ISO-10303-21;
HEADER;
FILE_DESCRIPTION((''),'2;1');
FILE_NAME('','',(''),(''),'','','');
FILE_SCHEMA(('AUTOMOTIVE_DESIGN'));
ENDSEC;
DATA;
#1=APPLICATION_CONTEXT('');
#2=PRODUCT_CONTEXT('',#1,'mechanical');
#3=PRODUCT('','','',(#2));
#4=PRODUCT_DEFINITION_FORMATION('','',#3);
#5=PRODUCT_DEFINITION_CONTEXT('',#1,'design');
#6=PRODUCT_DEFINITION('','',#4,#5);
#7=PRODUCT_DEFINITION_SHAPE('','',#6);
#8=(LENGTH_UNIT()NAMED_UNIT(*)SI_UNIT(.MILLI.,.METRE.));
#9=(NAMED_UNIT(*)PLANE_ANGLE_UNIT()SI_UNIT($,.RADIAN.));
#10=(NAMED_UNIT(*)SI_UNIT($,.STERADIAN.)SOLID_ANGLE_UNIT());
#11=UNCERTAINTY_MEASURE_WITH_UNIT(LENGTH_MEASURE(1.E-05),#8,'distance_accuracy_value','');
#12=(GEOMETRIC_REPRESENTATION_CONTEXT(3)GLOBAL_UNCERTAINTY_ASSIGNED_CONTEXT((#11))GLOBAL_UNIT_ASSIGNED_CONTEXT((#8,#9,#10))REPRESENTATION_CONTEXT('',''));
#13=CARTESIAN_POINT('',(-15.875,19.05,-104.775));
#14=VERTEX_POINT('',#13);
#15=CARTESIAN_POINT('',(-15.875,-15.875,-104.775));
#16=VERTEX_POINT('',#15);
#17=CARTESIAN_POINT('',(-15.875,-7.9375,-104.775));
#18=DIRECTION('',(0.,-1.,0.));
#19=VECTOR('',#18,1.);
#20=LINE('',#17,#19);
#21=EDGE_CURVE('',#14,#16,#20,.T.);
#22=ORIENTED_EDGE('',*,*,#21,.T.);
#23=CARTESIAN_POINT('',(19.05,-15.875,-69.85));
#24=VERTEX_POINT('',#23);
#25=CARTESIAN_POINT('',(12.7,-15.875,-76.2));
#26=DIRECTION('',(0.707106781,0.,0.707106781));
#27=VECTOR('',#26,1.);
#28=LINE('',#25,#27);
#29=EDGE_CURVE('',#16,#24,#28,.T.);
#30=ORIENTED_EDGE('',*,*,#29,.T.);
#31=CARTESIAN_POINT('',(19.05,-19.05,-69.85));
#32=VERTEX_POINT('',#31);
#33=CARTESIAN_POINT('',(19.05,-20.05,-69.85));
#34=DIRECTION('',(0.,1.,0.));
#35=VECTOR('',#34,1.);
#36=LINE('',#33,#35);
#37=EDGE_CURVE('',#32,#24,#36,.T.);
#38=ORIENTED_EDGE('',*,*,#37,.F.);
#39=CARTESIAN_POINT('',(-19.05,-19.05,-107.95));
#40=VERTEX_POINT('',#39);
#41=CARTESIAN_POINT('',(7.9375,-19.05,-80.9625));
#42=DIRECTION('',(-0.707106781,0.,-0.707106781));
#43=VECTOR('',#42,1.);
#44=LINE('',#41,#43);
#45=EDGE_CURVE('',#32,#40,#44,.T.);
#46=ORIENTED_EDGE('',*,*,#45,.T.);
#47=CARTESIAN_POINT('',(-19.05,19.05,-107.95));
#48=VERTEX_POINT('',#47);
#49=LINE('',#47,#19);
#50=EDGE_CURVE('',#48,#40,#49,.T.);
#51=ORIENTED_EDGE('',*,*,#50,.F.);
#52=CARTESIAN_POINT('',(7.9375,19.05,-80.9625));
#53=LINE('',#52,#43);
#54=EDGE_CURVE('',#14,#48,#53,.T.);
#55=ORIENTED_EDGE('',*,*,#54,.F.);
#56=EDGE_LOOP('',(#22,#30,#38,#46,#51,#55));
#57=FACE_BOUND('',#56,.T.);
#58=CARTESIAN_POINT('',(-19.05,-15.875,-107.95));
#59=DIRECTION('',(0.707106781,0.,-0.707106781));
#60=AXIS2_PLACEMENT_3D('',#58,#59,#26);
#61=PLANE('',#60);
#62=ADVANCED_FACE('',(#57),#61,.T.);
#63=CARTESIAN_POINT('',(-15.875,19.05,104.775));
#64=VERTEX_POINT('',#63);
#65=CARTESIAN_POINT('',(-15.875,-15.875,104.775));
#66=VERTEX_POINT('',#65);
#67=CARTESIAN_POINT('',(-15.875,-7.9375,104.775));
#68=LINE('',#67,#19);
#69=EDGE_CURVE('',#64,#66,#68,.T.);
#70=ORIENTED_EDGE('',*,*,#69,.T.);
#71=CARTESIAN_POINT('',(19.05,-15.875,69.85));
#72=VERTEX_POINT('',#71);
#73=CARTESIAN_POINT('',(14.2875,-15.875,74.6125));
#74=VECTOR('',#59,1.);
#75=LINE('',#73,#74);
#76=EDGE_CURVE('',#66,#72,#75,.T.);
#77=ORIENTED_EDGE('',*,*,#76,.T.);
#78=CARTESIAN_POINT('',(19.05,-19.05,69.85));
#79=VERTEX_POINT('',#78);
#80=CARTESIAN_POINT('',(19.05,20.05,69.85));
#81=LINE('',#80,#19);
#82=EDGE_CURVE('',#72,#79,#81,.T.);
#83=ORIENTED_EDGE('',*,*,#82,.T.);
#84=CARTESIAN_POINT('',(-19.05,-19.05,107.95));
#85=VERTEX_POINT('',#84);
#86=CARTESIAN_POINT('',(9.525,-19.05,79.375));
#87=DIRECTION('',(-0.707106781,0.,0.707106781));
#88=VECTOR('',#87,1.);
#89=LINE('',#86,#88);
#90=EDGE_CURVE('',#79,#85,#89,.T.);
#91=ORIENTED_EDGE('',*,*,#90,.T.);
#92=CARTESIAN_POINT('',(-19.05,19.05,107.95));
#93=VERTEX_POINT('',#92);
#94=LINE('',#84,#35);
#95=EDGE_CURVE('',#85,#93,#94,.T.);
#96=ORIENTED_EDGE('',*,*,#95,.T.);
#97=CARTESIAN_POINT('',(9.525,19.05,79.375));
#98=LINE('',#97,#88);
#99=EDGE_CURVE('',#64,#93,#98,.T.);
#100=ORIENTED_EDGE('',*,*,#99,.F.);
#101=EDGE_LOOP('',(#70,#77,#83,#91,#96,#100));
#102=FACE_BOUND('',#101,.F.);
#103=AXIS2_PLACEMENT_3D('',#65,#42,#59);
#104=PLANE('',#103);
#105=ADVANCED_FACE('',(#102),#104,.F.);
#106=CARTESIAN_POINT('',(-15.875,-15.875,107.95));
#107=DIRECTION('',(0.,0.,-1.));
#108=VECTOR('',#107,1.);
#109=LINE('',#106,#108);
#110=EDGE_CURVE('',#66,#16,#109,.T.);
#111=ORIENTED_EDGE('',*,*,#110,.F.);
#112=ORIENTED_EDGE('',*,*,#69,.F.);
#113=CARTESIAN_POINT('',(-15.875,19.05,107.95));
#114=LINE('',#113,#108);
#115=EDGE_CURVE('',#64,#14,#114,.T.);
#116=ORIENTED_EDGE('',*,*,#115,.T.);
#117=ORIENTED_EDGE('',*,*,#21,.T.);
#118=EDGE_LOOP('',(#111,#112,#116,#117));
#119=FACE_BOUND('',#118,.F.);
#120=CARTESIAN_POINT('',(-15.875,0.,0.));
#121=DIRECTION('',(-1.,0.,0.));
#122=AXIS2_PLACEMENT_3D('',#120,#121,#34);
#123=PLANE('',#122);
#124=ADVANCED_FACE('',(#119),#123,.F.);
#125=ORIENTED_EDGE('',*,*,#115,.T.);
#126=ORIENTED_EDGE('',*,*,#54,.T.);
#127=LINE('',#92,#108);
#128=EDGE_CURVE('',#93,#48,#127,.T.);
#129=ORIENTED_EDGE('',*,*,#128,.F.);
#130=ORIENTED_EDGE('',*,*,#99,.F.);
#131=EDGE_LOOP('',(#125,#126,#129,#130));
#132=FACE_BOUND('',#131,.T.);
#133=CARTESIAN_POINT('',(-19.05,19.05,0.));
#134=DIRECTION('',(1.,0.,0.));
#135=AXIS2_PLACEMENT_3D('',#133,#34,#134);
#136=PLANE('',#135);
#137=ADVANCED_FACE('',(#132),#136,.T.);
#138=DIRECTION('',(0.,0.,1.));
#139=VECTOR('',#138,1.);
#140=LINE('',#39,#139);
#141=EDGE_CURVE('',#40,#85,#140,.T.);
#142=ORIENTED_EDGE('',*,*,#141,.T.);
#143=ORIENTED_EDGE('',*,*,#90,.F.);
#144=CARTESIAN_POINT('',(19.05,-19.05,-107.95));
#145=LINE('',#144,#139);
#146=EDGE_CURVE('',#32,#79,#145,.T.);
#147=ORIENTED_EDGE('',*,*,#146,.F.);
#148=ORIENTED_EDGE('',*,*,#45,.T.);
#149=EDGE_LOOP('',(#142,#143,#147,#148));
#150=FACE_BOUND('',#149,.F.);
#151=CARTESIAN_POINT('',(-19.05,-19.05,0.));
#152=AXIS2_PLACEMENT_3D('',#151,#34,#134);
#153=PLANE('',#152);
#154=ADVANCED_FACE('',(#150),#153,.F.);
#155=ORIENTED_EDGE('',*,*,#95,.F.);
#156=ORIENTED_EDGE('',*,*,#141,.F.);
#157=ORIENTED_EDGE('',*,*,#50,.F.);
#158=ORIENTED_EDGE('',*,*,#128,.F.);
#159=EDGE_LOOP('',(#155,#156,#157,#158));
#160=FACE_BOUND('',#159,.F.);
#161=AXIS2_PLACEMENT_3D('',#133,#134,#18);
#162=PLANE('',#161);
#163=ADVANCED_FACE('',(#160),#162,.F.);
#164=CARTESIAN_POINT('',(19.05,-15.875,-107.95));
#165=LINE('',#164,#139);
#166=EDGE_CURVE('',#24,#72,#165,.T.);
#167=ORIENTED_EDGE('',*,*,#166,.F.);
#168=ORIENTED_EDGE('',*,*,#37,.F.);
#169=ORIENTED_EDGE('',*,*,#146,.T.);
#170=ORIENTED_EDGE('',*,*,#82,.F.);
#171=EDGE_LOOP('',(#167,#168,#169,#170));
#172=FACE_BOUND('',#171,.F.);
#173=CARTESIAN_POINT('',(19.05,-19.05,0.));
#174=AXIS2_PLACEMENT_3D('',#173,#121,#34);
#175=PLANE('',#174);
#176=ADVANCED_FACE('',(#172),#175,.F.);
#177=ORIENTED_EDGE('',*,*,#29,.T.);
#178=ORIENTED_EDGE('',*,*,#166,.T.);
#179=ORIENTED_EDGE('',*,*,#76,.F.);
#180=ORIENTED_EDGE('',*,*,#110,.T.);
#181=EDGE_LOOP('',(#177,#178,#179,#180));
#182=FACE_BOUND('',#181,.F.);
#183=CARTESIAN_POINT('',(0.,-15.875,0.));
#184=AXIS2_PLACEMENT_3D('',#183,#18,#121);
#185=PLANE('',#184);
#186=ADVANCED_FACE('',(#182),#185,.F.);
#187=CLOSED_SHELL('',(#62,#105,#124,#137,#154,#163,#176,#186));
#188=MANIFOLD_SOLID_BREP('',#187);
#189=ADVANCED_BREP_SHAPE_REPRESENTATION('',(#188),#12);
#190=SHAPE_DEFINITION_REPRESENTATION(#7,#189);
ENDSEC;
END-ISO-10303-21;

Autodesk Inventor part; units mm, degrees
ref_plane "YZ Plane" through (0, 0, 0) normal (1, 0, 0) x (0, 1, 0)
ref_plane "XZ Plane" through (0, 0, 0) normal (0, 1, 0) x (-1, 0, 0)
ref_plane "XY Plane" through (0, 0, 0) normal (0, 0, 1) x (1, 0, 0)
sketch "Sketch1" plane through (0, 0, 0) normal (0, 0, 1) x (1, 0, 0)
  line L0 (-26.67, 0) -> (26.67, 0) projected
  line L1 (0, -26.67) -> (0, 26.67) projected
  line L2 (-19.05, 19.05) -> (-19.05, -19.05)
  line L3 (-19.05, -19.05) -> (19.05, -19.05)
  line L4 (19.05, -15.875) -> (-15.875, -15.875)
  line L5 (-15.875, -15.875) -> (-15.875, 19.05)
  line L6 (-19.05, 19.05) -> (-15.875, 19.05)
  line L7 (19.05, -19.05) -> (19.05, -15.875)
  point P0 (0, 0)
  point P1 (-19.05, 0)
  point P2 (0, -19.05)
  dimension "d0" = 38.1
  dimension "d1" = 3.175
extrude "Extrusion1" add sketch "Sketch1" along normal mid plane 215.9 contours L2 L6 L5 L0 | L0 L5 L4 L1 L3 L2 | L1 L4 L7 L3
sketch "Sketch2" plane through (-15.875, -15.875, 107.95) normal (0, 1, 0) x (1, 0, 0)
  line L0 (0, 0) -> (34.925, 0) projected
  line L1 (34.925, 215.9) -> (34.925, 0) projected
  line L2 (0, 215.9) -> (0, 0) projected
  line L3 (-3.175, 0) -> (-3.175, 215.9) projected
  line L4 (-3.175, 0) -> (34.925, 38.1)
  line L5 (34.925, 107.95) -> (0, 107.95) construction
  line L6 (-3.175, 215.9) -> (34.925, 177.8)
  line L7 (-3.175, 0) -> (34.925, 0)
  line L8 (34.925, 0) -> (34.925, 38.1)
  line L9 (-3.175, 215.9) -> (34.925, 215.9)
  line L10 (34.925, 215.9) -> (34.925, 177.8)
  point P0 (15.875, 107.95)
  dimension "d4" = 45
extrude "Extrusion2" cut sketch "Sketch2" along normal through all both and the other way through all contours L2 L4 L1 L0 | L7 L4 L2 | L6 L9 L2 | L2 L9 L1 L6
properties part number "angle template al-6061 1x1x0.125" material "Aluminum-6061"
